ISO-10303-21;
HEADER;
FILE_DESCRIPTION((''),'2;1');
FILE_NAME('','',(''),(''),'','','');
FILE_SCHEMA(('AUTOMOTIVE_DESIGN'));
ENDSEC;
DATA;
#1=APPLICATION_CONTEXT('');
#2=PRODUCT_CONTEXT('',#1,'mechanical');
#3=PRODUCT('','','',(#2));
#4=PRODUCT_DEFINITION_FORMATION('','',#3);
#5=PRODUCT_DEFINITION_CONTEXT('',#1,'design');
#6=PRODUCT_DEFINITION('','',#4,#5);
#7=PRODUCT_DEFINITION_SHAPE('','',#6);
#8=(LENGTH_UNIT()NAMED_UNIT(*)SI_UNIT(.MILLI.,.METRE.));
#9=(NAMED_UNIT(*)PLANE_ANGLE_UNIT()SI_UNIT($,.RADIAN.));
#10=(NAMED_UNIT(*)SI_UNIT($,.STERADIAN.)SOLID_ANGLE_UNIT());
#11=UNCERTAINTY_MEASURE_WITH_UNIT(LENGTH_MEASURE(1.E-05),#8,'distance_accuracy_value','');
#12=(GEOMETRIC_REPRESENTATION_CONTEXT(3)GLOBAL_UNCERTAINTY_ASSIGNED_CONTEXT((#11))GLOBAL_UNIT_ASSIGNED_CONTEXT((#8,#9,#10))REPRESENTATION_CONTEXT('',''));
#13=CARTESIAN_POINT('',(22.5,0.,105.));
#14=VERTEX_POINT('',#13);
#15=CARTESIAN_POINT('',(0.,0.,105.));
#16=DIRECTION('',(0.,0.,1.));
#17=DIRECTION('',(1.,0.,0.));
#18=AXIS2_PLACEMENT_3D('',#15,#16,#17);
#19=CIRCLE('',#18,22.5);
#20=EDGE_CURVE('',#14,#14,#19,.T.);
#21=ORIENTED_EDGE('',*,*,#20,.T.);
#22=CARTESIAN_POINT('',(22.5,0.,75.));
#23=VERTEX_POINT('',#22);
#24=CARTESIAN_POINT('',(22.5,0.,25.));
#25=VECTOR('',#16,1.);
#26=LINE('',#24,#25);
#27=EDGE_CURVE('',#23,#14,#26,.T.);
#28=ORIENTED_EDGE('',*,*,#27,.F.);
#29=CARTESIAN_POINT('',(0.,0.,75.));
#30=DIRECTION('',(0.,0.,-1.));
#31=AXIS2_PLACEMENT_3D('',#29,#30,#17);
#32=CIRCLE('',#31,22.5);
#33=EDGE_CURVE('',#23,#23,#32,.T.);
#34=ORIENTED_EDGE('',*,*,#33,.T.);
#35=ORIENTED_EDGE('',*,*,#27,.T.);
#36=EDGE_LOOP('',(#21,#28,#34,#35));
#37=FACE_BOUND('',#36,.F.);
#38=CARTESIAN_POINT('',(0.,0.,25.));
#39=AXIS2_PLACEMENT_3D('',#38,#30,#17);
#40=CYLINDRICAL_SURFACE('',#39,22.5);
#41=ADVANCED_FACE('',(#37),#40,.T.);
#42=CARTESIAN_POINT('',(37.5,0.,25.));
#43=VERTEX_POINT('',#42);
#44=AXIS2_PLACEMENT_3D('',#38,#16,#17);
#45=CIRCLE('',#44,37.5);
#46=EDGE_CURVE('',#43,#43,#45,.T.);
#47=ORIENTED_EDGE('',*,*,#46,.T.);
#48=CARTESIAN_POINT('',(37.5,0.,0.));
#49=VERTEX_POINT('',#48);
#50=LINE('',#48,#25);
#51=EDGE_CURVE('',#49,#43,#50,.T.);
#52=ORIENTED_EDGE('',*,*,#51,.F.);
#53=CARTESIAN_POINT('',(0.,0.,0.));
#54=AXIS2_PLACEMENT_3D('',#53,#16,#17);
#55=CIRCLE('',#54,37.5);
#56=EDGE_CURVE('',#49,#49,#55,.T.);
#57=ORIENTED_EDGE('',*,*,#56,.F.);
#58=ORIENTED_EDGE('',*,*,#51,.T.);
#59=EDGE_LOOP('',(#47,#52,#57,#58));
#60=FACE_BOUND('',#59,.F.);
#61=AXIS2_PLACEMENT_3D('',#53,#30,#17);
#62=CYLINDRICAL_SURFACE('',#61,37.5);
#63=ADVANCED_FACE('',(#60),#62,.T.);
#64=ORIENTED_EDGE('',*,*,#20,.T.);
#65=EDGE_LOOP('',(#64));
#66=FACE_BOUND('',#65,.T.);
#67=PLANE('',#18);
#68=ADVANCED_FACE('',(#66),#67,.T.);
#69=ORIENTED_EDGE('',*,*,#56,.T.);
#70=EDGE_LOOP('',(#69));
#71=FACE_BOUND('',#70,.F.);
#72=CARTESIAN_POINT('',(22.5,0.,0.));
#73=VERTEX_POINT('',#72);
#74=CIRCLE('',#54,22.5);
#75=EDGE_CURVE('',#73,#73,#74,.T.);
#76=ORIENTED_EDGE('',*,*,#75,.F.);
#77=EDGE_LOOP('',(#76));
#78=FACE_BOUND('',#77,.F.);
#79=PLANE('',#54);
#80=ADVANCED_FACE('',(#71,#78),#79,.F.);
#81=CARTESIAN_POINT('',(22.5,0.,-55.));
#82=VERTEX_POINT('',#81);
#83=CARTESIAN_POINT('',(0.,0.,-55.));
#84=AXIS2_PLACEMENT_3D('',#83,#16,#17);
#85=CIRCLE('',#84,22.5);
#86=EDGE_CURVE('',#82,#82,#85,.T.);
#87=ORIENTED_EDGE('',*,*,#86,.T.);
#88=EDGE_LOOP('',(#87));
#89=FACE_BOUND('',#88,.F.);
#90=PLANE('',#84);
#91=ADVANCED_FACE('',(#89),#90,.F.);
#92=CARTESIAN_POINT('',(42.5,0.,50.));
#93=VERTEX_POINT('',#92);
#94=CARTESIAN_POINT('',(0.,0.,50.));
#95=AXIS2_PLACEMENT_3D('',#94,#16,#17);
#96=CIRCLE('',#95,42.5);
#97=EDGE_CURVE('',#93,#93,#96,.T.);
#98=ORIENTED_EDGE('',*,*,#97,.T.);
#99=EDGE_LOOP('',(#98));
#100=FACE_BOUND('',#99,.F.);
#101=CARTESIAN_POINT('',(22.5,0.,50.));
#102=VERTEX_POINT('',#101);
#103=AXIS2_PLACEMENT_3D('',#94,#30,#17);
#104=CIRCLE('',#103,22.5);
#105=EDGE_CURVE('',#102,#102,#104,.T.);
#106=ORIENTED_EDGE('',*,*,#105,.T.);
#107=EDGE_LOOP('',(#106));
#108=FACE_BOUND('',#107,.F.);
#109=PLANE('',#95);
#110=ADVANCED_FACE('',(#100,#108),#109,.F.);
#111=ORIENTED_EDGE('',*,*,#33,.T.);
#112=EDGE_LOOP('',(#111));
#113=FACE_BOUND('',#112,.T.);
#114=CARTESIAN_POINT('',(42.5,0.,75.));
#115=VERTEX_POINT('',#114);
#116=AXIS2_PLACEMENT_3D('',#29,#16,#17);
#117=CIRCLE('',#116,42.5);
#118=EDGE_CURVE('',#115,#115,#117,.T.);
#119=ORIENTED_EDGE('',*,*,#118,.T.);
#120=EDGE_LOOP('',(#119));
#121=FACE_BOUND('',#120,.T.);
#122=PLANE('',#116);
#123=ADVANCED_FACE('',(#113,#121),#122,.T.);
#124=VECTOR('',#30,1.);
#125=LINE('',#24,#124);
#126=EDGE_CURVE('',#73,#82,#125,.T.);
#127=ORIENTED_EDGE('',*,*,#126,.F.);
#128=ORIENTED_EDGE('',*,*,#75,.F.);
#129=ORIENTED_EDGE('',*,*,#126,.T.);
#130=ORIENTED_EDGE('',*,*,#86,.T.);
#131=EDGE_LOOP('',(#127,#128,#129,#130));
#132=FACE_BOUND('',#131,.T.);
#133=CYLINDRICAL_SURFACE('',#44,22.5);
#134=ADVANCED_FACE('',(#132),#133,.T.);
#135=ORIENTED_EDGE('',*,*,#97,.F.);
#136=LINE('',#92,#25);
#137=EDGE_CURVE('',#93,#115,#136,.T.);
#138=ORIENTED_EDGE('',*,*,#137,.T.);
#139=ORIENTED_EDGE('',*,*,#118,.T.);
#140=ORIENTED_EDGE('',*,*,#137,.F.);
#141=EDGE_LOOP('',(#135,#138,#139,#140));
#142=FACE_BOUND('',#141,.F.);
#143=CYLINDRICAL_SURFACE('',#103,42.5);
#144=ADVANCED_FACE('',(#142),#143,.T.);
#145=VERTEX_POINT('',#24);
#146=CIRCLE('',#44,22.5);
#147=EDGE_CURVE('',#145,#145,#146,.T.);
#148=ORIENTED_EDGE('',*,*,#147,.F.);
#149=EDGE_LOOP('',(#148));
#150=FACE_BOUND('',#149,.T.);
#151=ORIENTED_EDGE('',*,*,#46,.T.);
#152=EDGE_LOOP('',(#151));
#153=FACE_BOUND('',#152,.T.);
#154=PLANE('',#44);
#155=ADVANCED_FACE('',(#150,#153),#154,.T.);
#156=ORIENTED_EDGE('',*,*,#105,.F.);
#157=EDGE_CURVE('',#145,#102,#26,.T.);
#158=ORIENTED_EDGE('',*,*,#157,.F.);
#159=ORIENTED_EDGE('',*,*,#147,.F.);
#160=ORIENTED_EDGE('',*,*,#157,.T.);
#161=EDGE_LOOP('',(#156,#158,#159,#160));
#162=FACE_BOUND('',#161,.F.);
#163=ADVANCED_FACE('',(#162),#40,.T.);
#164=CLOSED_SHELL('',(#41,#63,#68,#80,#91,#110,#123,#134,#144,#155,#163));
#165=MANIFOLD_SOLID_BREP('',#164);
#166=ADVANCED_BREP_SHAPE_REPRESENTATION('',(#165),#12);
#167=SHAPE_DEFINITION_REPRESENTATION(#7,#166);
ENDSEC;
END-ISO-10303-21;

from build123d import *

# Parameters (mm, degrees)
F0_R          = 37.5
F1_DEPTH      = 25
F2_R          = 22.5
F3_DEPTH      = 80
F3_DEPTH_BACK = 80
F5_START      = 25
F4_R          = 42.5
F5_DEPTH      = 25


with BuildPart() as f1:
    # F0 (on Top) → F1 (new body)
    with BuildSketch(Plane.XY):
        Circle(F0_R)
    extrude(amount=F1_DEPTH)

    # F2 (on face) → F3 (join, two sides)
    with BuildSketch(Plane.XY.offset(25)) as f3_sk:
        Circle(F2_R)
    extrude(amount=-F3_DEPTH)
    extrude(f3_sk.sketch, amount=F3_DEPTH_BACK)

    # F4 (on face) → F5 (join)
    with BuildSketch(Plane.XY.offset(25).offset(F5_START)):
        Circle(F4_R)
    extrude(amount=F5_DEPTH)


solid = f1.part
